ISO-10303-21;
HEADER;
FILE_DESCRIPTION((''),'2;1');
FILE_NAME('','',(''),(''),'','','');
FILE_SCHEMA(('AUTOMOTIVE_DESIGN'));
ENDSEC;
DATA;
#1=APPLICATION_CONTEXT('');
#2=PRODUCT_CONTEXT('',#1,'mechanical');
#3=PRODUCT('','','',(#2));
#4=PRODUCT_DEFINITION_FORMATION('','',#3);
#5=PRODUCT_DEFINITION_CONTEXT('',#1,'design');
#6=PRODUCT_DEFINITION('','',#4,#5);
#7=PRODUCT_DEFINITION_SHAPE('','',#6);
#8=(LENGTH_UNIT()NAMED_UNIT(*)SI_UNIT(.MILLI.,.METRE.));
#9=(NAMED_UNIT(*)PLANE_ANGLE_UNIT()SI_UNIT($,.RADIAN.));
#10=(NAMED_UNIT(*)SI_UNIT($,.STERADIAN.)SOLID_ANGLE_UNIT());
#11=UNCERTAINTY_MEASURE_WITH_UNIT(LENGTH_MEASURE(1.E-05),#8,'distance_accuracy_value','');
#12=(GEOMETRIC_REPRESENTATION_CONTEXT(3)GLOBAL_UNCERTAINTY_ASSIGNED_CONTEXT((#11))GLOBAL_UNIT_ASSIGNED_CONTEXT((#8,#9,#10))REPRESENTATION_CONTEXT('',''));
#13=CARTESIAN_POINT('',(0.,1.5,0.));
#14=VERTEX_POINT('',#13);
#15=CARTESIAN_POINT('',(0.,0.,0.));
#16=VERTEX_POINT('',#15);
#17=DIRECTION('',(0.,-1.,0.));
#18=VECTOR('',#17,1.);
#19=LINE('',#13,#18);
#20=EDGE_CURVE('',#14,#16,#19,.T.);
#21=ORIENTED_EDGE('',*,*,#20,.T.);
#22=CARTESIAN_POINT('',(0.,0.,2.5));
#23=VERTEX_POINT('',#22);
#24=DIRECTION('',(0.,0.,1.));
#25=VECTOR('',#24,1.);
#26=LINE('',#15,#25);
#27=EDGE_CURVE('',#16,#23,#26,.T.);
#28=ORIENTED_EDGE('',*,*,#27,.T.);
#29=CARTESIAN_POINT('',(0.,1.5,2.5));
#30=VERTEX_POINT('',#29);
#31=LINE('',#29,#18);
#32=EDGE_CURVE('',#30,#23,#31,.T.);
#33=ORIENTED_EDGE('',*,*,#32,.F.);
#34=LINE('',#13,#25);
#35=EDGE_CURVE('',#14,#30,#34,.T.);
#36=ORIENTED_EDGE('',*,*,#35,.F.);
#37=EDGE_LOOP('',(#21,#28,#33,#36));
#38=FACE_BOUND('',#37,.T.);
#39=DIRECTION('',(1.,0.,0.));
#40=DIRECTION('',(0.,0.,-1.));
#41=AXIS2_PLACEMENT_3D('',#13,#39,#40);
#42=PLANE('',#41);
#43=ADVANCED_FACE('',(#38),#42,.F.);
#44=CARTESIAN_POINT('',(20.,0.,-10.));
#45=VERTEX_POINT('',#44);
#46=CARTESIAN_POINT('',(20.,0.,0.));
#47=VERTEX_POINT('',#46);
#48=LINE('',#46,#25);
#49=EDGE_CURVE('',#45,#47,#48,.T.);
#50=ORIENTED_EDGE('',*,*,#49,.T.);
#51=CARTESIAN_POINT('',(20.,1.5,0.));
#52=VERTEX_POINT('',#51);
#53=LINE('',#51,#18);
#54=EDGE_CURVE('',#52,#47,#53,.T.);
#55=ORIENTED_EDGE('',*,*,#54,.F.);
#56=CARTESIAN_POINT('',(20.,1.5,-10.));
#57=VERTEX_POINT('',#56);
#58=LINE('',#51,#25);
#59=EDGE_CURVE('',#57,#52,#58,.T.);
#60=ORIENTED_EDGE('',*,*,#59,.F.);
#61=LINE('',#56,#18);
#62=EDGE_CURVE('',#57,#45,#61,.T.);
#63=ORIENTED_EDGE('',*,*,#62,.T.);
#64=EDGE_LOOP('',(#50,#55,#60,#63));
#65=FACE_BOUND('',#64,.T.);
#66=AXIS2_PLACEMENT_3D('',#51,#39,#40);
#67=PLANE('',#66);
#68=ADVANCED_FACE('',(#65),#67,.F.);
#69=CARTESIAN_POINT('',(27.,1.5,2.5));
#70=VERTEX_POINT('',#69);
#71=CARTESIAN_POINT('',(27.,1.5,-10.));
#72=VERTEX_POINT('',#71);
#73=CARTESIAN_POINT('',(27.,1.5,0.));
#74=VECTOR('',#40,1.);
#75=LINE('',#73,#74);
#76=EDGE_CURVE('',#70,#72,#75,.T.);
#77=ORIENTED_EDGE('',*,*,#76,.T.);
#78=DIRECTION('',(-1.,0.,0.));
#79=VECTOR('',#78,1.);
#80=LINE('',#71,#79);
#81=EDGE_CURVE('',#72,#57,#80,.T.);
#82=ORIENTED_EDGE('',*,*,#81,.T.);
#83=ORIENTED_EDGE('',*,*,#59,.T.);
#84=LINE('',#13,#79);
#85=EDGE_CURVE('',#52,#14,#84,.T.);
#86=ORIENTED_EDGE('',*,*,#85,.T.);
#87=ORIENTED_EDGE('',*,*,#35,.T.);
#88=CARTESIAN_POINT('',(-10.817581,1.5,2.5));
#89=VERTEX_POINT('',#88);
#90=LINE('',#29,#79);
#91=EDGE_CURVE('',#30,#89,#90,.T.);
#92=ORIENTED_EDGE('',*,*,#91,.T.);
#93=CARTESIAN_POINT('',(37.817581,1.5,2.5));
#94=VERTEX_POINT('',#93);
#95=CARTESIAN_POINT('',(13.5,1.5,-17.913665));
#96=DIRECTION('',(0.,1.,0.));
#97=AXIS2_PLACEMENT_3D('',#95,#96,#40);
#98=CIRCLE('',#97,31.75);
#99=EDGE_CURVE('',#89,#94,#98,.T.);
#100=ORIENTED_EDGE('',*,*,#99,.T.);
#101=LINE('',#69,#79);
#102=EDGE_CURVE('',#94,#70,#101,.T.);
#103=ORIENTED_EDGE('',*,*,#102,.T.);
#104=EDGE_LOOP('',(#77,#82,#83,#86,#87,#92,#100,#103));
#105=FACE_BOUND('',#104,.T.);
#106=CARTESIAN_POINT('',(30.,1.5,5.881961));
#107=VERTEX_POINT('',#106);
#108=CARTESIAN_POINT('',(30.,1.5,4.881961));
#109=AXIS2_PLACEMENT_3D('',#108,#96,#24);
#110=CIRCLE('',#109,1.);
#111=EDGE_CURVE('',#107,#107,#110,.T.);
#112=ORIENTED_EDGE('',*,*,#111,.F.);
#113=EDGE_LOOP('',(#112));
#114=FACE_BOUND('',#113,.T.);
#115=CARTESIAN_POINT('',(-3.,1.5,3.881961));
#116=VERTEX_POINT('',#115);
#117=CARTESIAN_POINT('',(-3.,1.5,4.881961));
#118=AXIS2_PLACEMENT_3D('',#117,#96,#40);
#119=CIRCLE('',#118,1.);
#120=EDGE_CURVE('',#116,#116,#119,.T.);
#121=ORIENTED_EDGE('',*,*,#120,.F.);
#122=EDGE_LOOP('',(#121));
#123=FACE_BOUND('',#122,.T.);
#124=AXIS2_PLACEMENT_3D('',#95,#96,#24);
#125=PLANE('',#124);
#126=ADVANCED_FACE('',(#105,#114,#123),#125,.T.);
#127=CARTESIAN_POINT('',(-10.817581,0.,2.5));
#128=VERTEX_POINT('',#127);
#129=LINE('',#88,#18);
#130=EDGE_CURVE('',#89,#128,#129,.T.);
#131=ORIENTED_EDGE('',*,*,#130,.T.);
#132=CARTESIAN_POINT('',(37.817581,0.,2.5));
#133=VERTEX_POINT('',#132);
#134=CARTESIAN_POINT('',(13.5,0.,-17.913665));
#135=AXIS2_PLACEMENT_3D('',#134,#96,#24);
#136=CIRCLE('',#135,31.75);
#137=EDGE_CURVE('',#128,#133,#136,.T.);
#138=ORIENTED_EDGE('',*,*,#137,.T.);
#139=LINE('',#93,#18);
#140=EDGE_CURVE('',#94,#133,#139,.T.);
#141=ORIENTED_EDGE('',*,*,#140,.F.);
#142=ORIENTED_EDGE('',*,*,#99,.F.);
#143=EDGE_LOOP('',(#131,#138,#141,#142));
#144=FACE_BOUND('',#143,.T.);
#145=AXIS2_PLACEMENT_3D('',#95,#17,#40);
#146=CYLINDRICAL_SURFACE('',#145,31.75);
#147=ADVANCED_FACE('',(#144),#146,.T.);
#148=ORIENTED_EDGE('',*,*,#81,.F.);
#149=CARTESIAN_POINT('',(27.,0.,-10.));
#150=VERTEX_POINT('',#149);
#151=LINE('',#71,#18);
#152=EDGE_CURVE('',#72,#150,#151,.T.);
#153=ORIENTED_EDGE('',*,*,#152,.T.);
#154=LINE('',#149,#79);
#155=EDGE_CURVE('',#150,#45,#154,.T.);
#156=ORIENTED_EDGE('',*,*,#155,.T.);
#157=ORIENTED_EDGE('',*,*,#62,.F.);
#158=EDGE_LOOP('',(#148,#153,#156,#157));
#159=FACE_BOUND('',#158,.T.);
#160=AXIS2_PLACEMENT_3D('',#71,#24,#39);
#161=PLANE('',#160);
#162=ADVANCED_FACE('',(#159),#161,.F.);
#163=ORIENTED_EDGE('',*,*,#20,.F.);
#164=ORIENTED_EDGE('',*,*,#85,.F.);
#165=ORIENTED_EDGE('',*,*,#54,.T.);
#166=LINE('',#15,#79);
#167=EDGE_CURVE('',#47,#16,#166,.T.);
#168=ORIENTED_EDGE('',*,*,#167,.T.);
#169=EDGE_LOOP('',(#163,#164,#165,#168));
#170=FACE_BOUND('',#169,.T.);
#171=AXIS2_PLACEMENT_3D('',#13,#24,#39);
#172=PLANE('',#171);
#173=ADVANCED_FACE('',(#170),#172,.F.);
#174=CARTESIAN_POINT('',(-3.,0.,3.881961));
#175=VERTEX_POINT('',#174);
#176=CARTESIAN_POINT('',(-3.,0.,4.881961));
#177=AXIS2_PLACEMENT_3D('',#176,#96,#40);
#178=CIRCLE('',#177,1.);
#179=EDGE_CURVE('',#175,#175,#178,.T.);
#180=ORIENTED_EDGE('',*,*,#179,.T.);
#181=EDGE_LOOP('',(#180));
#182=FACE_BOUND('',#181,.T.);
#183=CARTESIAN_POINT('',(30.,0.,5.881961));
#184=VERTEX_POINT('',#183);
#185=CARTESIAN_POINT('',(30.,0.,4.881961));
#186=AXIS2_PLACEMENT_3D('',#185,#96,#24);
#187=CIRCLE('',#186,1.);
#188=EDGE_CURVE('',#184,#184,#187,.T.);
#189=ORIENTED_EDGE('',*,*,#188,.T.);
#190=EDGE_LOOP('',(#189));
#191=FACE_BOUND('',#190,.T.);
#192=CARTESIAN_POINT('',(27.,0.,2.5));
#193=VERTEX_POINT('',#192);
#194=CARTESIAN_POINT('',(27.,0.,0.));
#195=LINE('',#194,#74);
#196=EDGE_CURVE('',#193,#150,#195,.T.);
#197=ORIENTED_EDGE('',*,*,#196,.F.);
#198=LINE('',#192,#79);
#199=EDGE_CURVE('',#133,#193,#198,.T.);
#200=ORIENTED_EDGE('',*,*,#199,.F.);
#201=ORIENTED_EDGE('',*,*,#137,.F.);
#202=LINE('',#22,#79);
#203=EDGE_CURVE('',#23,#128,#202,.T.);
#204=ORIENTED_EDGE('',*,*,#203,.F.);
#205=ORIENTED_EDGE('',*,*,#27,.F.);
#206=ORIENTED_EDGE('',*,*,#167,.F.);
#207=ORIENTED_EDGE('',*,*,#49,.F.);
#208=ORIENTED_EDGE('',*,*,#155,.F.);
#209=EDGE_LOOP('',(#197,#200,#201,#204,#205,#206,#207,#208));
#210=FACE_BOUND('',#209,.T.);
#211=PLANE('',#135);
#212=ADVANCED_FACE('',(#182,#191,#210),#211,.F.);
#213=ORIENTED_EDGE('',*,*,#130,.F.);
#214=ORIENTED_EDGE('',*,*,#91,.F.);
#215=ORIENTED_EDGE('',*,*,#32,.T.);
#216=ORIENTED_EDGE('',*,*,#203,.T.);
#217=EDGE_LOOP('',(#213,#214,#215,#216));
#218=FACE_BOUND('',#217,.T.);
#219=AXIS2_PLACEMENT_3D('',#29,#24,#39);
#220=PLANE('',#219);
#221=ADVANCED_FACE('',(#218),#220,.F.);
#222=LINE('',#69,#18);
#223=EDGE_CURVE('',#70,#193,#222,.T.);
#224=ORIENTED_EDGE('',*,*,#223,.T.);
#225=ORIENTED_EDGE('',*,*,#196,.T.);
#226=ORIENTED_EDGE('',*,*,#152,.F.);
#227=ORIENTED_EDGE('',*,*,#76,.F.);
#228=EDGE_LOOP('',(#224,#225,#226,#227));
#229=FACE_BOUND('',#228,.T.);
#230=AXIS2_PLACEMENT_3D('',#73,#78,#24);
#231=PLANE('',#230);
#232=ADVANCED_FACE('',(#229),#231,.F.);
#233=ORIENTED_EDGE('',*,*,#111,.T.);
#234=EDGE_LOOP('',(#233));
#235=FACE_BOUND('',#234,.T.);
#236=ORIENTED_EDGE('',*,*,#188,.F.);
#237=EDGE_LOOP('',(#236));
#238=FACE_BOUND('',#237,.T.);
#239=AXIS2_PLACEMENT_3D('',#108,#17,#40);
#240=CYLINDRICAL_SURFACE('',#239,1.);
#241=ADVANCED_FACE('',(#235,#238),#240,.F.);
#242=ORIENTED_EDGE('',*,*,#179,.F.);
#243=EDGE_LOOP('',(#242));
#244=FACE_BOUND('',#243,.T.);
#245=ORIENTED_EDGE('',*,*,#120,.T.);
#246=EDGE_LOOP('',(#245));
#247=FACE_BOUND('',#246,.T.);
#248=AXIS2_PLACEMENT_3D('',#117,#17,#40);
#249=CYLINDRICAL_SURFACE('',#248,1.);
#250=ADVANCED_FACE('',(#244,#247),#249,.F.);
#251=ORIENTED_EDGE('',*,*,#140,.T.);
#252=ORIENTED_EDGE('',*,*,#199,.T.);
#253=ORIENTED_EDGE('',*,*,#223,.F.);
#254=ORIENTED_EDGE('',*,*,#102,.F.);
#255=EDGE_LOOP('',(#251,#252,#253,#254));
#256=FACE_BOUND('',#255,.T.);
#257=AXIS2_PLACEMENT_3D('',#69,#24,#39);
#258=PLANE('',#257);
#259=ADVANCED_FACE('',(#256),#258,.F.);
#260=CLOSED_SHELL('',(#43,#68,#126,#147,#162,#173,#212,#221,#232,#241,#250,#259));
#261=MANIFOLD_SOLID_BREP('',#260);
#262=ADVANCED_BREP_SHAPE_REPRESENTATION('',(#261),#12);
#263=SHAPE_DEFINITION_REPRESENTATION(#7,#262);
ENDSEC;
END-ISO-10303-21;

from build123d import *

# Parameters (mm, degrees)
SKETCH1_R           = 1
BOSS_EXTRUDE1_DEPTH = 1.5


with BuildPart() as part:
    # Sketch1 → Boss-Extrude1 (new body)
    with BuildSketch(Plane(origin=(0, 0, 0), x_dir=(1, 0, 0), z_dir=(0, 1, 0))):
        with BuildLine():
            Line((0, 0), (20, 0))
            Line((20, 0), (20, 10))
            Line((20, 10), (27, 10))
            Line((27, 10), (27, 0))
            Line((27, 0), (27, -2.5))
            Line((27, -2.5), (37.817581496, -2.5))
            ThreePointArc((37.817581496, -2.5), (32.861344207, -7.249817199), (27, -10.823288281))
            ThreePointArc((27, -10.823288281), (13.5, -13.83633472), (0, -10.823288281))
            ThreePointArc((0, -10.823288281), (-5.861344207, -7.249817199), (-10.817581496, -2.5))
            Line((-10.817581496, -2.5), (0, -2.5))
            Line((0, -2.5), (0, 0))
        make_face()
        with Locations(Location((30, -4.881961213, 0), (0, 0, 270))):
            Circle(SKETCH1_R, mode=Mode.SUBTRACT)
        with Locations(Location((-3, -4.881961213, 0), (0, 0, 90))):
            Circle(SKETCH1_R, mode=Mode.SUBTRACT)
    extrude(amount=BOSS_EXTRUDE1_DEPTH)


solid = part.part
